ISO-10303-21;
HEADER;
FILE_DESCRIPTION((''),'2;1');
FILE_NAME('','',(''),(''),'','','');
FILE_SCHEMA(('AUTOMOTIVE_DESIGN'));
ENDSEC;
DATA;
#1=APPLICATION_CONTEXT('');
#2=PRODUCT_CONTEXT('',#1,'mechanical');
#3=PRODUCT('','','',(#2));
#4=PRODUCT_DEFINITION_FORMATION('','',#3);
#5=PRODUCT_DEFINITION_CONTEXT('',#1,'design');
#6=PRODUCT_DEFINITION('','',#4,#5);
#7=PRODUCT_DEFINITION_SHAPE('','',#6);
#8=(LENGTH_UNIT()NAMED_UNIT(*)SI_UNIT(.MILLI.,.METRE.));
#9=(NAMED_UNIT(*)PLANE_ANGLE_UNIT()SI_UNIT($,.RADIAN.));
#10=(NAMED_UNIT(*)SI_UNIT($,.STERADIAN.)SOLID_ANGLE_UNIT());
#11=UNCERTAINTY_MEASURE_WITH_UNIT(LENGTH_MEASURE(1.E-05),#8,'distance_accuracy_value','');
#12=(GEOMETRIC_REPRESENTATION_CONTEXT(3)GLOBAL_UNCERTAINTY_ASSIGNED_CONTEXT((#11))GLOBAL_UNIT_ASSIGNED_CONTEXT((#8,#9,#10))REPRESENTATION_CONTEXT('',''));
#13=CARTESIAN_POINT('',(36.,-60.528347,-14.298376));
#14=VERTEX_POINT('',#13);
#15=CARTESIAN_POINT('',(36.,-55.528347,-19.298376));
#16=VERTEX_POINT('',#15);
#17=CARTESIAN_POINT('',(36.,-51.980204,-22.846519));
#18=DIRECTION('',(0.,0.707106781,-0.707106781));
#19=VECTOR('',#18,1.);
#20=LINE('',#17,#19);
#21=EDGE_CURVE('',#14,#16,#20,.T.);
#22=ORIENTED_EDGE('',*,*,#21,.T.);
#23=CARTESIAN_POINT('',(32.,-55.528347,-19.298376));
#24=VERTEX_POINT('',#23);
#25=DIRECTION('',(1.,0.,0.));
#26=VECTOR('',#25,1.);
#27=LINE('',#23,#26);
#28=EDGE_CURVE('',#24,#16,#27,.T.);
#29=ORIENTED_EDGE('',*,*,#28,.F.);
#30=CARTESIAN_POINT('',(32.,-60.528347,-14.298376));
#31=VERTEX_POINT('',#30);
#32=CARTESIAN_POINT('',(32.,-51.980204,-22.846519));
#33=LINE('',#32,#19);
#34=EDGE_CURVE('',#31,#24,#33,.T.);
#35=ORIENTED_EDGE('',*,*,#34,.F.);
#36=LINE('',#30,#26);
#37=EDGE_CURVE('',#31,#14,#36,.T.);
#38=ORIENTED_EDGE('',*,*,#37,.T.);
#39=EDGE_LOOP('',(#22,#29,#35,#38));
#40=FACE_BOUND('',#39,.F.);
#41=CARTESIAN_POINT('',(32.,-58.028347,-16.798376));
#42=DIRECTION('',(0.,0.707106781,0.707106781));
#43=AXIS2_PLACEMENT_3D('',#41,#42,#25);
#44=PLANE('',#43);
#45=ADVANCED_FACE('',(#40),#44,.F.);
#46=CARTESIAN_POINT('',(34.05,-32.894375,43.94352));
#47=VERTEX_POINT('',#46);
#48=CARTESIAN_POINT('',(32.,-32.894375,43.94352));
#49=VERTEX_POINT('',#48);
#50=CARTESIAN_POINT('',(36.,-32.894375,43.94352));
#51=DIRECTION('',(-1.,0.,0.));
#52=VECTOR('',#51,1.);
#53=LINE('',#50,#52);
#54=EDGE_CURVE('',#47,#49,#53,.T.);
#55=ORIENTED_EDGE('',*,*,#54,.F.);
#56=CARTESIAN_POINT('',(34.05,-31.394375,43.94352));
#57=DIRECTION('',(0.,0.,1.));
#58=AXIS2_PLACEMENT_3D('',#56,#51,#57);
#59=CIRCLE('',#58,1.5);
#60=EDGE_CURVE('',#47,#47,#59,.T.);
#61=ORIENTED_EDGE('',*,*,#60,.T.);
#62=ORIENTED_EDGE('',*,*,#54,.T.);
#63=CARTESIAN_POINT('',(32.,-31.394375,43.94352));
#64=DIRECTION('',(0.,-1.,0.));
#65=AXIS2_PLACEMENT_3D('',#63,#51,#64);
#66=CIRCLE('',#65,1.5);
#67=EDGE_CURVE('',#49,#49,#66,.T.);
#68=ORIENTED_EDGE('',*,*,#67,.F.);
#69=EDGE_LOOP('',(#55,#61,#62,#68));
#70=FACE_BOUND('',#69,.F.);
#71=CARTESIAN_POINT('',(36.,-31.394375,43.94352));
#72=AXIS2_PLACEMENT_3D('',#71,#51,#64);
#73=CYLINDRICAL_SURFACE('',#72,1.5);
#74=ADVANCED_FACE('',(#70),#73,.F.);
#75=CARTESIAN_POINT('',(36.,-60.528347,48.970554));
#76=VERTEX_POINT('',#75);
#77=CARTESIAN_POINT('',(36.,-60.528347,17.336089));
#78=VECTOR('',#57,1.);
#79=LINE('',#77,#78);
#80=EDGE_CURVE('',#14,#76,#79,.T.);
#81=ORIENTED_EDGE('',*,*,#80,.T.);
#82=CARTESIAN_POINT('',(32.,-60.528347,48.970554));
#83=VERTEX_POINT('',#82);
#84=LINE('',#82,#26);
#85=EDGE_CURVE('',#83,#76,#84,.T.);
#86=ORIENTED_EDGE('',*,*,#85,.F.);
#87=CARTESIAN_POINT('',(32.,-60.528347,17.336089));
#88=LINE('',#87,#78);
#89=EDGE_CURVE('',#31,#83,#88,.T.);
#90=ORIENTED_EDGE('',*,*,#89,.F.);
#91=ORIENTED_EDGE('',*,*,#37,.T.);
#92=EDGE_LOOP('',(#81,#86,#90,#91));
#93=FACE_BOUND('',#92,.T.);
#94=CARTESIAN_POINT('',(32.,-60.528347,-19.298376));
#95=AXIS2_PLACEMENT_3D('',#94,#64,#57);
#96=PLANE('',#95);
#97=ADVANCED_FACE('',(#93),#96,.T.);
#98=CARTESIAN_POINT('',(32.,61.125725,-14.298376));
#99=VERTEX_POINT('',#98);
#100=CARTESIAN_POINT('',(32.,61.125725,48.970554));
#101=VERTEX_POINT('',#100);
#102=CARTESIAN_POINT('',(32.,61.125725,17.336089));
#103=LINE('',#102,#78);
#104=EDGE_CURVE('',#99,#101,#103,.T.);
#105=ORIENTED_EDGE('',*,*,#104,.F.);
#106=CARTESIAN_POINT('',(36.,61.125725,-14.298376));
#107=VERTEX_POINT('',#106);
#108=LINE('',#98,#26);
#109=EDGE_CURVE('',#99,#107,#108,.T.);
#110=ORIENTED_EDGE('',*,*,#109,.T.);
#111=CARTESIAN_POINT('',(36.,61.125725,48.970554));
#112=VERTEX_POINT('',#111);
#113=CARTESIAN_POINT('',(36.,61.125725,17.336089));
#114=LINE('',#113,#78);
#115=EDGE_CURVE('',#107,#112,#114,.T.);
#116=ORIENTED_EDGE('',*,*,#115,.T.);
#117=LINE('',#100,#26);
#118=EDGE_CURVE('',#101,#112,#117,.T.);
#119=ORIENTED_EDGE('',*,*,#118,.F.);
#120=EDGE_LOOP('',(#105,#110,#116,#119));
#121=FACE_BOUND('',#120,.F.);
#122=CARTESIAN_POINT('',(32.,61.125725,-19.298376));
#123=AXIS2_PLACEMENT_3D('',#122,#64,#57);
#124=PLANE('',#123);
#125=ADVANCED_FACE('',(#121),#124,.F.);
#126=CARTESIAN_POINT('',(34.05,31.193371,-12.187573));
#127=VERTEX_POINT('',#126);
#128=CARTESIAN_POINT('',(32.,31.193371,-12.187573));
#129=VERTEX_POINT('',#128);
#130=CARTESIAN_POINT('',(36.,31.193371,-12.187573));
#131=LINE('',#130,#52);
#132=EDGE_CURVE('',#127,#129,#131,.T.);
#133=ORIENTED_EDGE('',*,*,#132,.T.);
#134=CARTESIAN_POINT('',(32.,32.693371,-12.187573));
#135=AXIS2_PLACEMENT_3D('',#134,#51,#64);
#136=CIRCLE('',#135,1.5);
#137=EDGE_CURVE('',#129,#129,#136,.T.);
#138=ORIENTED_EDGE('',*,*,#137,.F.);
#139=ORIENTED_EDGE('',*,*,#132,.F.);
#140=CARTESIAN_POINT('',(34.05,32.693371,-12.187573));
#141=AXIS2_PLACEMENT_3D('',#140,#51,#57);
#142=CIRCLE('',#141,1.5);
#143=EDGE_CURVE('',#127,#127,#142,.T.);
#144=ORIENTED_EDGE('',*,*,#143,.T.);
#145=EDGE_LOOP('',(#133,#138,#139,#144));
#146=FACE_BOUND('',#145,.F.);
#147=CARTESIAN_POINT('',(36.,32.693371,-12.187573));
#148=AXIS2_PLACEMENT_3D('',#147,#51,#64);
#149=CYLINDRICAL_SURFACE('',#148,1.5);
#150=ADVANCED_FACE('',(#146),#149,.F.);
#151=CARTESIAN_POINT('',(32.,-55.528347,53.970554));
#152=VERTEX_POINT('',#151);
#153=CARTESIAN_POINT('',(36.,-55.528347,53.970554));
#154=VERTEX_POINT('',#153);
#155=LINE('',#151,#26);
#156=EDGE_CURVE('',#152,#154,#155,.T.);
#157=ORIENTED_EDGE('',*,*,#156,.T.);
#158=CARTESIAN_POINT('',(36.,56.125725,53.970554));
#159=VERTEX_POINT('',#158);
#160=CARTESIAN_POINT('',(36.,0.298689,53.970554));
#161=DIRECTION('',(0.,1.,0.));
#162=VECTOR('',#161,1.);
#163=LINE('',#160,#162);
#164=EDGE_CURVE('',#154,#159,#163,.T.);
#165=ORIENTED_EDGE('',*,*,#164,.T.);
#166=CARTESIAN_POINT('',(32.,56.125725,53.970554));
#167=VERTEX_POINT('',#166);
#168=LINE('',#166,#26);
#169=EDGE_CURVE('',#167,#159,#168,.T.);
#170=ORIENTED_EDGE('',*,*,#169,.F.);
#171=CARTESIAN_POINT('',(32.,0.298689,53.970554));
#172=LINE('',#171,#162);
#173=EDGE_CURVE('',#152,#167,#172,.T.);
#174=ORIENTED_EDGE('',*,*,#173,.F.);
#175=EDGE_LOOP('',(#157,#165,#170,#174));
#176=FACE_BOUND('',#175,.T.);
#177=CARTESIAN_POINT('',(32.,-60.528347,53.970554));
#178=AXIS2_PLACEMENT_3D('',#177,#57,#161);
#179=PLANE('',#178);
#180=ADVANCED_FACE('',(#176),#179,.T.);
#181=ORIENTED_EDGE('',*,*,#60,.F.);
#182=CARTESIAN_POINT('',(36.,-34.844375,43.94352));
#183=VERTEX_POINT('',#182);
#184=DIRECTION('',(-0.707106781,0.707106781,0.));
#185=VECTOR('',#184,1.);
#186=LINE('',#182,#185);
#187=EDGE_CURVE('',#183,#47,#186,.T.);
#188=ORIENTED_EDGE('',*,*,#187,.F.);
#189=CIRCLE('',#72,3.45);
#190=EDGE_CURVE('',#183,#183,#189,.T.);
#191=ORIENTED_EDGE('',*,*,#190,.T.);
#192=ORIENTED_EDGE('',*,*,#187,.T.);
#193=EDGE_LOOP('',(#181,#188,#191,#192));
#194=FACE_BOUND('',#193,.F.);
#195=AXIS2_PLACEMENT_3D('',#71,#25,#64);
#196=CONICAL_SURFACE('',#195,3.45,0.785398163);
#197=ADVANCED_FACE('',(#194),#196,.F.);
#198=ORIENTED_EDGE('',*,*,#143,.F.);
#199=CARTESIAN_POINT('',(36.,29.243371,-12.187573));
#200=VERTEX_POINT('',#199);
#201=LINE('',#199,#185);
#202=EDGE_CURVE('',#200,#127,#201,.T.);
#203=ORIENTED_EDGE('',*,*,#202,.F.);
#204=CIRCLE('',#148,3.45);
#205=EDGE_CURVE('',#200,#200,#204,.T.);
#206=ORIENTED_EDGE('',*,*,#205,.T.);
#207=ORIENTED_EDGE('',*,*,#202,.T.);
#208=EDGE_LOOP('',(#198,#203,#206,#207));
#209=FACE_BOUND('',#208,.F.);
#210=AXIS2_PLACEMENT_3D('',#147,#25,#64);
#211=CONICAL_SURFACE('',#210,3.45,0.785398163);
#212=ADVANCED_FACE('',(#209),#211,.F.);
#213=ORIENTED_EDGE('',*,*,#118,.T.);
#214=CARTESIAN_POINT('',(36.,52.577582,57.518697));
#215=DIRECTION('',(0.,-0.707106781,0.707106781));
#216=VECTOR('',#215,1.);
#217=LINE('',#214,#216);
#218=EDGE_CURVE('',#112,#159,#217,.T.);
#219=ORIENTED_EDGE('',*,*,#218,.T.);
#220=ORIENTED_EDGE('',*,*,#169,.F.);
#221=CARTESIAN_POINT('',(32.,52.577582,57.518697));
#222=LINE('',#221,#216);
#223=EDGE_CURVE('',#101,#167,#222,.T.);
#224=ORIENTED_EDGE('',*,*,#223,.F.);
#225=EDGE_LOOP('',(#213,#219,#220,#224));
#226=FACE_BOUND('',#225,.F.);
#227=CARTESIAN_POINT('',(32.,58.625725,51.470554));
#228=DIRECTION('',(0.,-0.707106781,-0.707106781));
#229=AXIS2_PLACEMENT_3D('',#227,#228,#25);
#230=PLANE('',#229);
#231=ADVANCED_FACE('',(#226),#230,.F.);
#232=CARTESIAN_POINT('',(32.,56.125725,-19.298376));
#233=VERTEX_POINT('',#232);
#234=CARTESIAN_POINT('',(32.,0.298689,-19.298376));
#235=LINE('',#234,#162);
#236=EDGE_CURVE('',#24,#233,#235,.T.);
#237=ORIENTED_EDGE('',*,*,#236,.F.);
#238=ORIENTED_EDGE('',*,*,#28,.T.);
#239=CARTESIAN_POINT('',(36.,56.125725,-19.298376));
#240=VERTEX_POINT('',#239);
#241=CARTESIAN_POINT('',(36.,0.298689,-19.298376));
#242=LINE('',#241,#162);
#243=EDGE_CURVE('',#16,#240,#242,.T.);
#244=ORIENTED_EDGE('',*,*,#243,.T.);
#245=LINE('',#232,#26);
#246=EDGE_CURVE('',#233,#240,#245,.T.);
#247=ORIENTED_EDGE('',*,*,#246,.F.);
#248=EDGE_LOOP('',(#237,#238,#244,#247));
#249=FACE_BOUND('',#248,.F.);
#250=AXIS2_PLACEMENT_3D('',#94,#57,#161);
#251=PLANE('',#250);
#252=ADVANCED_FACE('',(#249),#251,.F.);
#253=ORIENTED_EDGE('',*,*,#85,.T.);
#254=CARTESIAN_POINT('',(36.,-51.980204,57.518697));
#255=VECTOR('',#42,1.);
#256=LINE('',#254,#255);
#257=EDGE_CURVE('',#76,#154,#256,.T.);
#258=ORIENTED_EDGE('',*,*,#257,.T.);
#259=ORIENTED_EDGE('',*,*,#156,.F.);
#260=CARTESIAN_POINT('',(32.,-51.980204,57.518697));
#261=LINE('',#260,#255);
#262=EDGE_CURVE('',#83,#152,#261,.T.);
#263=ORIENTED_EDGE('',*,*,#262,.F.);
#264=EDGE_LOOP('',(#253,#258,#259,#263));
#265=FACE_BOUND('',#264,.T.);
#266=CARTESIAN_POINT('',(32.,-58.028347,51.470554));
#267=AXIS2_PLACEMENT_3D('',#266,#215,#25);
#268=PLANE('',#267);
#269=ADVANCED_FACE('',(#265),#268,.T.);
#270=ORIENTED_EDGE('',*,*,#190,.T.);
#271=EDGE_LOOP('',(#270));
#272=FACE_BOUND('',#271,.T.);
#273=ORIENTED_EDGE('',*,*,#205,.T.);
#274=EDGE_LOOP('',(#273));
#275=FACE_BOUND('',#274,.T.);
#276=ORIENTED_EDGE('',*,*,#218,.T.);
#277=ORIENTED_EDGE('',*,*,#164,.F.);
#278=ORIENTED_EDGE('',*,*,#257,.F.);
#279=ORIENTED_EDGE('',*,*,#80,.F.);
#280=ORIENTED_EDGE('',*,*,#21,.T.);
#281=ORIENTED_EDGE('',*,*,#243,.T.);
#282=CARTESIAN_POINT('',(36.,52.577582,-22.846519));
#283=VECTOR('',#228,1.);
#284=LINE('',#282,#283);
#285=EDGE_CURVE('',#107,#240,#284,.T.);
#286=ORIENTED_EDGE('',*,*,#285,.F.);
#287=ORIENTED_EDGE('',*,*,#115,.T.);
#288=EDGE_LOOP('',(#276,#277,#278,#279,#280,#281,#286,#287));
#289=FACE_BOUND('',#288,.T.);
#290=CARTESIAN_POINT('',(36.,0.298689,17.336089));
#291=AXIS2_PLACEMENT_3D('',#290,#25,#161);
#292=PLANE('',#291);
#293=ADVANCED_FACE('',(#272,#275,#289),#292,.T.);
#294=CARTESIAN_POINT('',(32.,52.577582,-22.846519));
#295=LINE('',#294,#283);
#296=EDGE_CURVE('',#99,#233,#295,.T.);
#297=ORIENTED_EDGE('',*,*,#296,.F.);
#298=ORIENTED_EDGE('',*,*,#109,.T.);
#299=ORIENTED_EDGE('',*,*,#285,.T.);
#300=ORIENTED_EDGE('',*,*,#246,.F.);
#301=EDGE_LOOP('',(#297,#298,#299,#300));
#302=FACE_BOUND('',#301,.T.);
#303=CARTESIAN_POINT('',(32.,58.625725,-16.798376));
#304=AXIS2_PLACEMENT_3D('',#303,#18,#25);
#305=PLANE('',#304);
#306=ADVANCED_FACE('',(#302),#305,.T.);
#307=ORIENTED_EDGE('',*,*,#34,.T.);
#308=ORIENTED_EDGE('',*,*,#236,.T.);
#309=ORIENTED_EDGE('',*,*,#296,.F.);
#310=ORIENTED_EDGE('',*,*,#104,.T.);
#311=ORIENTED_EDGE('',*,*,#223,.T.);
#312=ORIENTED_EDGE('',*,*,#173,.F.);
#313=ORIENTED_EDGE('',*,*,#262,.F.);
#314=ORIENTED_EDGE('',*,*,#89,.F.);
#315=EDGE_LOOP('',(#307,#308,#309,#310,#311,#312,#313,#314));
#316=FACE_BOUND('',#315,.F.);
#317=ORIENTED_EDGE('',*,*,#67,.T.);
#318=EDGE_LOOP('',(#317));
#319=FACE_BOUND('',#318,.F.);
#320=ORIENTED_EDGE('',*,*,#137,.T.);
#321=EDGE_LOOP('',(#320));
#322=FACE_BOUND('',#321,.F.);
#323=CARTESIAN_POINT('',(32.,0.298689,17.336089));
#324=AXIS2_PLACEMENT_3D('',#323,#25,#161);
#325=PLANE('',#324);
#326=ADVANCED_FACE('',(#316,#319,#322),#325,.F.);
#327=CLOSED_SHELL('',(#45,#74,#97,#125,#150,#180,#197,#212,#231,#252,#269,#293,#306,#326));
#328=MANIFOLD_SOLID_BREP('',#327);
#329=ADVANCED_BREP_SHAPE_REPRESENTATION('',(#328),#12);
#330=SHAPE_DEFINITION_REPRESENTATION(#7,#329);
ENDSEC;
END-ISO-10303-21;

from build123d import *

# Parameters (mm, degrees)
SKETCH011_W      = 121.654072
SKETCH011_H      = 73.26893
PAD009_DEPTH     = 4
HOLE_D           = 3
HOLE_DEPTH       = 25
HOLE_CSINK_D     = 6.9
HOLE_CSINK_ANGLE = 90
CHAMFER_SIZE     = 5


with BuildPart() as part:
    # Sketch011 → Pad009 (new body)
    with BuildSketch(Plane.YZ):
        with Locations((0.298689, 17.336089)):
            Rectangle(SKETCH011_W, SKETCH011_H)
    extrude(amount=PAD009_DEPTH)

    # Hole
    with Locations(Plane.YZ.offset(4)):
        with Locations((-31.394375, 43.94352), (32.693371, -12.187573)):
            CounterSinkHole(HOLE_D / 2, HOLE_CSINK_D / 2, depth=HOLE_DEPTH, counter_sink_angle=HOLE_CSINK_ANGLE)

    # Chamfer
    chamfer_edges = [part.edges().sort_by_distance(p)[0] for p in [
        (2, -60.528347, 53.970554),
        (2, 61.125725, 53.970554),
        (2, -60.528347, -19.298376),
        (2, 61.125725, -19.298376),
    ]]
    chamfer(chamfer_edges, length=CHAMFER_SIZE)


with BuildPart() as part_1:
    # Body004 placement: moved
    add(part.part.moved(Location((32, 0, 0))))


solid = part_1.part
